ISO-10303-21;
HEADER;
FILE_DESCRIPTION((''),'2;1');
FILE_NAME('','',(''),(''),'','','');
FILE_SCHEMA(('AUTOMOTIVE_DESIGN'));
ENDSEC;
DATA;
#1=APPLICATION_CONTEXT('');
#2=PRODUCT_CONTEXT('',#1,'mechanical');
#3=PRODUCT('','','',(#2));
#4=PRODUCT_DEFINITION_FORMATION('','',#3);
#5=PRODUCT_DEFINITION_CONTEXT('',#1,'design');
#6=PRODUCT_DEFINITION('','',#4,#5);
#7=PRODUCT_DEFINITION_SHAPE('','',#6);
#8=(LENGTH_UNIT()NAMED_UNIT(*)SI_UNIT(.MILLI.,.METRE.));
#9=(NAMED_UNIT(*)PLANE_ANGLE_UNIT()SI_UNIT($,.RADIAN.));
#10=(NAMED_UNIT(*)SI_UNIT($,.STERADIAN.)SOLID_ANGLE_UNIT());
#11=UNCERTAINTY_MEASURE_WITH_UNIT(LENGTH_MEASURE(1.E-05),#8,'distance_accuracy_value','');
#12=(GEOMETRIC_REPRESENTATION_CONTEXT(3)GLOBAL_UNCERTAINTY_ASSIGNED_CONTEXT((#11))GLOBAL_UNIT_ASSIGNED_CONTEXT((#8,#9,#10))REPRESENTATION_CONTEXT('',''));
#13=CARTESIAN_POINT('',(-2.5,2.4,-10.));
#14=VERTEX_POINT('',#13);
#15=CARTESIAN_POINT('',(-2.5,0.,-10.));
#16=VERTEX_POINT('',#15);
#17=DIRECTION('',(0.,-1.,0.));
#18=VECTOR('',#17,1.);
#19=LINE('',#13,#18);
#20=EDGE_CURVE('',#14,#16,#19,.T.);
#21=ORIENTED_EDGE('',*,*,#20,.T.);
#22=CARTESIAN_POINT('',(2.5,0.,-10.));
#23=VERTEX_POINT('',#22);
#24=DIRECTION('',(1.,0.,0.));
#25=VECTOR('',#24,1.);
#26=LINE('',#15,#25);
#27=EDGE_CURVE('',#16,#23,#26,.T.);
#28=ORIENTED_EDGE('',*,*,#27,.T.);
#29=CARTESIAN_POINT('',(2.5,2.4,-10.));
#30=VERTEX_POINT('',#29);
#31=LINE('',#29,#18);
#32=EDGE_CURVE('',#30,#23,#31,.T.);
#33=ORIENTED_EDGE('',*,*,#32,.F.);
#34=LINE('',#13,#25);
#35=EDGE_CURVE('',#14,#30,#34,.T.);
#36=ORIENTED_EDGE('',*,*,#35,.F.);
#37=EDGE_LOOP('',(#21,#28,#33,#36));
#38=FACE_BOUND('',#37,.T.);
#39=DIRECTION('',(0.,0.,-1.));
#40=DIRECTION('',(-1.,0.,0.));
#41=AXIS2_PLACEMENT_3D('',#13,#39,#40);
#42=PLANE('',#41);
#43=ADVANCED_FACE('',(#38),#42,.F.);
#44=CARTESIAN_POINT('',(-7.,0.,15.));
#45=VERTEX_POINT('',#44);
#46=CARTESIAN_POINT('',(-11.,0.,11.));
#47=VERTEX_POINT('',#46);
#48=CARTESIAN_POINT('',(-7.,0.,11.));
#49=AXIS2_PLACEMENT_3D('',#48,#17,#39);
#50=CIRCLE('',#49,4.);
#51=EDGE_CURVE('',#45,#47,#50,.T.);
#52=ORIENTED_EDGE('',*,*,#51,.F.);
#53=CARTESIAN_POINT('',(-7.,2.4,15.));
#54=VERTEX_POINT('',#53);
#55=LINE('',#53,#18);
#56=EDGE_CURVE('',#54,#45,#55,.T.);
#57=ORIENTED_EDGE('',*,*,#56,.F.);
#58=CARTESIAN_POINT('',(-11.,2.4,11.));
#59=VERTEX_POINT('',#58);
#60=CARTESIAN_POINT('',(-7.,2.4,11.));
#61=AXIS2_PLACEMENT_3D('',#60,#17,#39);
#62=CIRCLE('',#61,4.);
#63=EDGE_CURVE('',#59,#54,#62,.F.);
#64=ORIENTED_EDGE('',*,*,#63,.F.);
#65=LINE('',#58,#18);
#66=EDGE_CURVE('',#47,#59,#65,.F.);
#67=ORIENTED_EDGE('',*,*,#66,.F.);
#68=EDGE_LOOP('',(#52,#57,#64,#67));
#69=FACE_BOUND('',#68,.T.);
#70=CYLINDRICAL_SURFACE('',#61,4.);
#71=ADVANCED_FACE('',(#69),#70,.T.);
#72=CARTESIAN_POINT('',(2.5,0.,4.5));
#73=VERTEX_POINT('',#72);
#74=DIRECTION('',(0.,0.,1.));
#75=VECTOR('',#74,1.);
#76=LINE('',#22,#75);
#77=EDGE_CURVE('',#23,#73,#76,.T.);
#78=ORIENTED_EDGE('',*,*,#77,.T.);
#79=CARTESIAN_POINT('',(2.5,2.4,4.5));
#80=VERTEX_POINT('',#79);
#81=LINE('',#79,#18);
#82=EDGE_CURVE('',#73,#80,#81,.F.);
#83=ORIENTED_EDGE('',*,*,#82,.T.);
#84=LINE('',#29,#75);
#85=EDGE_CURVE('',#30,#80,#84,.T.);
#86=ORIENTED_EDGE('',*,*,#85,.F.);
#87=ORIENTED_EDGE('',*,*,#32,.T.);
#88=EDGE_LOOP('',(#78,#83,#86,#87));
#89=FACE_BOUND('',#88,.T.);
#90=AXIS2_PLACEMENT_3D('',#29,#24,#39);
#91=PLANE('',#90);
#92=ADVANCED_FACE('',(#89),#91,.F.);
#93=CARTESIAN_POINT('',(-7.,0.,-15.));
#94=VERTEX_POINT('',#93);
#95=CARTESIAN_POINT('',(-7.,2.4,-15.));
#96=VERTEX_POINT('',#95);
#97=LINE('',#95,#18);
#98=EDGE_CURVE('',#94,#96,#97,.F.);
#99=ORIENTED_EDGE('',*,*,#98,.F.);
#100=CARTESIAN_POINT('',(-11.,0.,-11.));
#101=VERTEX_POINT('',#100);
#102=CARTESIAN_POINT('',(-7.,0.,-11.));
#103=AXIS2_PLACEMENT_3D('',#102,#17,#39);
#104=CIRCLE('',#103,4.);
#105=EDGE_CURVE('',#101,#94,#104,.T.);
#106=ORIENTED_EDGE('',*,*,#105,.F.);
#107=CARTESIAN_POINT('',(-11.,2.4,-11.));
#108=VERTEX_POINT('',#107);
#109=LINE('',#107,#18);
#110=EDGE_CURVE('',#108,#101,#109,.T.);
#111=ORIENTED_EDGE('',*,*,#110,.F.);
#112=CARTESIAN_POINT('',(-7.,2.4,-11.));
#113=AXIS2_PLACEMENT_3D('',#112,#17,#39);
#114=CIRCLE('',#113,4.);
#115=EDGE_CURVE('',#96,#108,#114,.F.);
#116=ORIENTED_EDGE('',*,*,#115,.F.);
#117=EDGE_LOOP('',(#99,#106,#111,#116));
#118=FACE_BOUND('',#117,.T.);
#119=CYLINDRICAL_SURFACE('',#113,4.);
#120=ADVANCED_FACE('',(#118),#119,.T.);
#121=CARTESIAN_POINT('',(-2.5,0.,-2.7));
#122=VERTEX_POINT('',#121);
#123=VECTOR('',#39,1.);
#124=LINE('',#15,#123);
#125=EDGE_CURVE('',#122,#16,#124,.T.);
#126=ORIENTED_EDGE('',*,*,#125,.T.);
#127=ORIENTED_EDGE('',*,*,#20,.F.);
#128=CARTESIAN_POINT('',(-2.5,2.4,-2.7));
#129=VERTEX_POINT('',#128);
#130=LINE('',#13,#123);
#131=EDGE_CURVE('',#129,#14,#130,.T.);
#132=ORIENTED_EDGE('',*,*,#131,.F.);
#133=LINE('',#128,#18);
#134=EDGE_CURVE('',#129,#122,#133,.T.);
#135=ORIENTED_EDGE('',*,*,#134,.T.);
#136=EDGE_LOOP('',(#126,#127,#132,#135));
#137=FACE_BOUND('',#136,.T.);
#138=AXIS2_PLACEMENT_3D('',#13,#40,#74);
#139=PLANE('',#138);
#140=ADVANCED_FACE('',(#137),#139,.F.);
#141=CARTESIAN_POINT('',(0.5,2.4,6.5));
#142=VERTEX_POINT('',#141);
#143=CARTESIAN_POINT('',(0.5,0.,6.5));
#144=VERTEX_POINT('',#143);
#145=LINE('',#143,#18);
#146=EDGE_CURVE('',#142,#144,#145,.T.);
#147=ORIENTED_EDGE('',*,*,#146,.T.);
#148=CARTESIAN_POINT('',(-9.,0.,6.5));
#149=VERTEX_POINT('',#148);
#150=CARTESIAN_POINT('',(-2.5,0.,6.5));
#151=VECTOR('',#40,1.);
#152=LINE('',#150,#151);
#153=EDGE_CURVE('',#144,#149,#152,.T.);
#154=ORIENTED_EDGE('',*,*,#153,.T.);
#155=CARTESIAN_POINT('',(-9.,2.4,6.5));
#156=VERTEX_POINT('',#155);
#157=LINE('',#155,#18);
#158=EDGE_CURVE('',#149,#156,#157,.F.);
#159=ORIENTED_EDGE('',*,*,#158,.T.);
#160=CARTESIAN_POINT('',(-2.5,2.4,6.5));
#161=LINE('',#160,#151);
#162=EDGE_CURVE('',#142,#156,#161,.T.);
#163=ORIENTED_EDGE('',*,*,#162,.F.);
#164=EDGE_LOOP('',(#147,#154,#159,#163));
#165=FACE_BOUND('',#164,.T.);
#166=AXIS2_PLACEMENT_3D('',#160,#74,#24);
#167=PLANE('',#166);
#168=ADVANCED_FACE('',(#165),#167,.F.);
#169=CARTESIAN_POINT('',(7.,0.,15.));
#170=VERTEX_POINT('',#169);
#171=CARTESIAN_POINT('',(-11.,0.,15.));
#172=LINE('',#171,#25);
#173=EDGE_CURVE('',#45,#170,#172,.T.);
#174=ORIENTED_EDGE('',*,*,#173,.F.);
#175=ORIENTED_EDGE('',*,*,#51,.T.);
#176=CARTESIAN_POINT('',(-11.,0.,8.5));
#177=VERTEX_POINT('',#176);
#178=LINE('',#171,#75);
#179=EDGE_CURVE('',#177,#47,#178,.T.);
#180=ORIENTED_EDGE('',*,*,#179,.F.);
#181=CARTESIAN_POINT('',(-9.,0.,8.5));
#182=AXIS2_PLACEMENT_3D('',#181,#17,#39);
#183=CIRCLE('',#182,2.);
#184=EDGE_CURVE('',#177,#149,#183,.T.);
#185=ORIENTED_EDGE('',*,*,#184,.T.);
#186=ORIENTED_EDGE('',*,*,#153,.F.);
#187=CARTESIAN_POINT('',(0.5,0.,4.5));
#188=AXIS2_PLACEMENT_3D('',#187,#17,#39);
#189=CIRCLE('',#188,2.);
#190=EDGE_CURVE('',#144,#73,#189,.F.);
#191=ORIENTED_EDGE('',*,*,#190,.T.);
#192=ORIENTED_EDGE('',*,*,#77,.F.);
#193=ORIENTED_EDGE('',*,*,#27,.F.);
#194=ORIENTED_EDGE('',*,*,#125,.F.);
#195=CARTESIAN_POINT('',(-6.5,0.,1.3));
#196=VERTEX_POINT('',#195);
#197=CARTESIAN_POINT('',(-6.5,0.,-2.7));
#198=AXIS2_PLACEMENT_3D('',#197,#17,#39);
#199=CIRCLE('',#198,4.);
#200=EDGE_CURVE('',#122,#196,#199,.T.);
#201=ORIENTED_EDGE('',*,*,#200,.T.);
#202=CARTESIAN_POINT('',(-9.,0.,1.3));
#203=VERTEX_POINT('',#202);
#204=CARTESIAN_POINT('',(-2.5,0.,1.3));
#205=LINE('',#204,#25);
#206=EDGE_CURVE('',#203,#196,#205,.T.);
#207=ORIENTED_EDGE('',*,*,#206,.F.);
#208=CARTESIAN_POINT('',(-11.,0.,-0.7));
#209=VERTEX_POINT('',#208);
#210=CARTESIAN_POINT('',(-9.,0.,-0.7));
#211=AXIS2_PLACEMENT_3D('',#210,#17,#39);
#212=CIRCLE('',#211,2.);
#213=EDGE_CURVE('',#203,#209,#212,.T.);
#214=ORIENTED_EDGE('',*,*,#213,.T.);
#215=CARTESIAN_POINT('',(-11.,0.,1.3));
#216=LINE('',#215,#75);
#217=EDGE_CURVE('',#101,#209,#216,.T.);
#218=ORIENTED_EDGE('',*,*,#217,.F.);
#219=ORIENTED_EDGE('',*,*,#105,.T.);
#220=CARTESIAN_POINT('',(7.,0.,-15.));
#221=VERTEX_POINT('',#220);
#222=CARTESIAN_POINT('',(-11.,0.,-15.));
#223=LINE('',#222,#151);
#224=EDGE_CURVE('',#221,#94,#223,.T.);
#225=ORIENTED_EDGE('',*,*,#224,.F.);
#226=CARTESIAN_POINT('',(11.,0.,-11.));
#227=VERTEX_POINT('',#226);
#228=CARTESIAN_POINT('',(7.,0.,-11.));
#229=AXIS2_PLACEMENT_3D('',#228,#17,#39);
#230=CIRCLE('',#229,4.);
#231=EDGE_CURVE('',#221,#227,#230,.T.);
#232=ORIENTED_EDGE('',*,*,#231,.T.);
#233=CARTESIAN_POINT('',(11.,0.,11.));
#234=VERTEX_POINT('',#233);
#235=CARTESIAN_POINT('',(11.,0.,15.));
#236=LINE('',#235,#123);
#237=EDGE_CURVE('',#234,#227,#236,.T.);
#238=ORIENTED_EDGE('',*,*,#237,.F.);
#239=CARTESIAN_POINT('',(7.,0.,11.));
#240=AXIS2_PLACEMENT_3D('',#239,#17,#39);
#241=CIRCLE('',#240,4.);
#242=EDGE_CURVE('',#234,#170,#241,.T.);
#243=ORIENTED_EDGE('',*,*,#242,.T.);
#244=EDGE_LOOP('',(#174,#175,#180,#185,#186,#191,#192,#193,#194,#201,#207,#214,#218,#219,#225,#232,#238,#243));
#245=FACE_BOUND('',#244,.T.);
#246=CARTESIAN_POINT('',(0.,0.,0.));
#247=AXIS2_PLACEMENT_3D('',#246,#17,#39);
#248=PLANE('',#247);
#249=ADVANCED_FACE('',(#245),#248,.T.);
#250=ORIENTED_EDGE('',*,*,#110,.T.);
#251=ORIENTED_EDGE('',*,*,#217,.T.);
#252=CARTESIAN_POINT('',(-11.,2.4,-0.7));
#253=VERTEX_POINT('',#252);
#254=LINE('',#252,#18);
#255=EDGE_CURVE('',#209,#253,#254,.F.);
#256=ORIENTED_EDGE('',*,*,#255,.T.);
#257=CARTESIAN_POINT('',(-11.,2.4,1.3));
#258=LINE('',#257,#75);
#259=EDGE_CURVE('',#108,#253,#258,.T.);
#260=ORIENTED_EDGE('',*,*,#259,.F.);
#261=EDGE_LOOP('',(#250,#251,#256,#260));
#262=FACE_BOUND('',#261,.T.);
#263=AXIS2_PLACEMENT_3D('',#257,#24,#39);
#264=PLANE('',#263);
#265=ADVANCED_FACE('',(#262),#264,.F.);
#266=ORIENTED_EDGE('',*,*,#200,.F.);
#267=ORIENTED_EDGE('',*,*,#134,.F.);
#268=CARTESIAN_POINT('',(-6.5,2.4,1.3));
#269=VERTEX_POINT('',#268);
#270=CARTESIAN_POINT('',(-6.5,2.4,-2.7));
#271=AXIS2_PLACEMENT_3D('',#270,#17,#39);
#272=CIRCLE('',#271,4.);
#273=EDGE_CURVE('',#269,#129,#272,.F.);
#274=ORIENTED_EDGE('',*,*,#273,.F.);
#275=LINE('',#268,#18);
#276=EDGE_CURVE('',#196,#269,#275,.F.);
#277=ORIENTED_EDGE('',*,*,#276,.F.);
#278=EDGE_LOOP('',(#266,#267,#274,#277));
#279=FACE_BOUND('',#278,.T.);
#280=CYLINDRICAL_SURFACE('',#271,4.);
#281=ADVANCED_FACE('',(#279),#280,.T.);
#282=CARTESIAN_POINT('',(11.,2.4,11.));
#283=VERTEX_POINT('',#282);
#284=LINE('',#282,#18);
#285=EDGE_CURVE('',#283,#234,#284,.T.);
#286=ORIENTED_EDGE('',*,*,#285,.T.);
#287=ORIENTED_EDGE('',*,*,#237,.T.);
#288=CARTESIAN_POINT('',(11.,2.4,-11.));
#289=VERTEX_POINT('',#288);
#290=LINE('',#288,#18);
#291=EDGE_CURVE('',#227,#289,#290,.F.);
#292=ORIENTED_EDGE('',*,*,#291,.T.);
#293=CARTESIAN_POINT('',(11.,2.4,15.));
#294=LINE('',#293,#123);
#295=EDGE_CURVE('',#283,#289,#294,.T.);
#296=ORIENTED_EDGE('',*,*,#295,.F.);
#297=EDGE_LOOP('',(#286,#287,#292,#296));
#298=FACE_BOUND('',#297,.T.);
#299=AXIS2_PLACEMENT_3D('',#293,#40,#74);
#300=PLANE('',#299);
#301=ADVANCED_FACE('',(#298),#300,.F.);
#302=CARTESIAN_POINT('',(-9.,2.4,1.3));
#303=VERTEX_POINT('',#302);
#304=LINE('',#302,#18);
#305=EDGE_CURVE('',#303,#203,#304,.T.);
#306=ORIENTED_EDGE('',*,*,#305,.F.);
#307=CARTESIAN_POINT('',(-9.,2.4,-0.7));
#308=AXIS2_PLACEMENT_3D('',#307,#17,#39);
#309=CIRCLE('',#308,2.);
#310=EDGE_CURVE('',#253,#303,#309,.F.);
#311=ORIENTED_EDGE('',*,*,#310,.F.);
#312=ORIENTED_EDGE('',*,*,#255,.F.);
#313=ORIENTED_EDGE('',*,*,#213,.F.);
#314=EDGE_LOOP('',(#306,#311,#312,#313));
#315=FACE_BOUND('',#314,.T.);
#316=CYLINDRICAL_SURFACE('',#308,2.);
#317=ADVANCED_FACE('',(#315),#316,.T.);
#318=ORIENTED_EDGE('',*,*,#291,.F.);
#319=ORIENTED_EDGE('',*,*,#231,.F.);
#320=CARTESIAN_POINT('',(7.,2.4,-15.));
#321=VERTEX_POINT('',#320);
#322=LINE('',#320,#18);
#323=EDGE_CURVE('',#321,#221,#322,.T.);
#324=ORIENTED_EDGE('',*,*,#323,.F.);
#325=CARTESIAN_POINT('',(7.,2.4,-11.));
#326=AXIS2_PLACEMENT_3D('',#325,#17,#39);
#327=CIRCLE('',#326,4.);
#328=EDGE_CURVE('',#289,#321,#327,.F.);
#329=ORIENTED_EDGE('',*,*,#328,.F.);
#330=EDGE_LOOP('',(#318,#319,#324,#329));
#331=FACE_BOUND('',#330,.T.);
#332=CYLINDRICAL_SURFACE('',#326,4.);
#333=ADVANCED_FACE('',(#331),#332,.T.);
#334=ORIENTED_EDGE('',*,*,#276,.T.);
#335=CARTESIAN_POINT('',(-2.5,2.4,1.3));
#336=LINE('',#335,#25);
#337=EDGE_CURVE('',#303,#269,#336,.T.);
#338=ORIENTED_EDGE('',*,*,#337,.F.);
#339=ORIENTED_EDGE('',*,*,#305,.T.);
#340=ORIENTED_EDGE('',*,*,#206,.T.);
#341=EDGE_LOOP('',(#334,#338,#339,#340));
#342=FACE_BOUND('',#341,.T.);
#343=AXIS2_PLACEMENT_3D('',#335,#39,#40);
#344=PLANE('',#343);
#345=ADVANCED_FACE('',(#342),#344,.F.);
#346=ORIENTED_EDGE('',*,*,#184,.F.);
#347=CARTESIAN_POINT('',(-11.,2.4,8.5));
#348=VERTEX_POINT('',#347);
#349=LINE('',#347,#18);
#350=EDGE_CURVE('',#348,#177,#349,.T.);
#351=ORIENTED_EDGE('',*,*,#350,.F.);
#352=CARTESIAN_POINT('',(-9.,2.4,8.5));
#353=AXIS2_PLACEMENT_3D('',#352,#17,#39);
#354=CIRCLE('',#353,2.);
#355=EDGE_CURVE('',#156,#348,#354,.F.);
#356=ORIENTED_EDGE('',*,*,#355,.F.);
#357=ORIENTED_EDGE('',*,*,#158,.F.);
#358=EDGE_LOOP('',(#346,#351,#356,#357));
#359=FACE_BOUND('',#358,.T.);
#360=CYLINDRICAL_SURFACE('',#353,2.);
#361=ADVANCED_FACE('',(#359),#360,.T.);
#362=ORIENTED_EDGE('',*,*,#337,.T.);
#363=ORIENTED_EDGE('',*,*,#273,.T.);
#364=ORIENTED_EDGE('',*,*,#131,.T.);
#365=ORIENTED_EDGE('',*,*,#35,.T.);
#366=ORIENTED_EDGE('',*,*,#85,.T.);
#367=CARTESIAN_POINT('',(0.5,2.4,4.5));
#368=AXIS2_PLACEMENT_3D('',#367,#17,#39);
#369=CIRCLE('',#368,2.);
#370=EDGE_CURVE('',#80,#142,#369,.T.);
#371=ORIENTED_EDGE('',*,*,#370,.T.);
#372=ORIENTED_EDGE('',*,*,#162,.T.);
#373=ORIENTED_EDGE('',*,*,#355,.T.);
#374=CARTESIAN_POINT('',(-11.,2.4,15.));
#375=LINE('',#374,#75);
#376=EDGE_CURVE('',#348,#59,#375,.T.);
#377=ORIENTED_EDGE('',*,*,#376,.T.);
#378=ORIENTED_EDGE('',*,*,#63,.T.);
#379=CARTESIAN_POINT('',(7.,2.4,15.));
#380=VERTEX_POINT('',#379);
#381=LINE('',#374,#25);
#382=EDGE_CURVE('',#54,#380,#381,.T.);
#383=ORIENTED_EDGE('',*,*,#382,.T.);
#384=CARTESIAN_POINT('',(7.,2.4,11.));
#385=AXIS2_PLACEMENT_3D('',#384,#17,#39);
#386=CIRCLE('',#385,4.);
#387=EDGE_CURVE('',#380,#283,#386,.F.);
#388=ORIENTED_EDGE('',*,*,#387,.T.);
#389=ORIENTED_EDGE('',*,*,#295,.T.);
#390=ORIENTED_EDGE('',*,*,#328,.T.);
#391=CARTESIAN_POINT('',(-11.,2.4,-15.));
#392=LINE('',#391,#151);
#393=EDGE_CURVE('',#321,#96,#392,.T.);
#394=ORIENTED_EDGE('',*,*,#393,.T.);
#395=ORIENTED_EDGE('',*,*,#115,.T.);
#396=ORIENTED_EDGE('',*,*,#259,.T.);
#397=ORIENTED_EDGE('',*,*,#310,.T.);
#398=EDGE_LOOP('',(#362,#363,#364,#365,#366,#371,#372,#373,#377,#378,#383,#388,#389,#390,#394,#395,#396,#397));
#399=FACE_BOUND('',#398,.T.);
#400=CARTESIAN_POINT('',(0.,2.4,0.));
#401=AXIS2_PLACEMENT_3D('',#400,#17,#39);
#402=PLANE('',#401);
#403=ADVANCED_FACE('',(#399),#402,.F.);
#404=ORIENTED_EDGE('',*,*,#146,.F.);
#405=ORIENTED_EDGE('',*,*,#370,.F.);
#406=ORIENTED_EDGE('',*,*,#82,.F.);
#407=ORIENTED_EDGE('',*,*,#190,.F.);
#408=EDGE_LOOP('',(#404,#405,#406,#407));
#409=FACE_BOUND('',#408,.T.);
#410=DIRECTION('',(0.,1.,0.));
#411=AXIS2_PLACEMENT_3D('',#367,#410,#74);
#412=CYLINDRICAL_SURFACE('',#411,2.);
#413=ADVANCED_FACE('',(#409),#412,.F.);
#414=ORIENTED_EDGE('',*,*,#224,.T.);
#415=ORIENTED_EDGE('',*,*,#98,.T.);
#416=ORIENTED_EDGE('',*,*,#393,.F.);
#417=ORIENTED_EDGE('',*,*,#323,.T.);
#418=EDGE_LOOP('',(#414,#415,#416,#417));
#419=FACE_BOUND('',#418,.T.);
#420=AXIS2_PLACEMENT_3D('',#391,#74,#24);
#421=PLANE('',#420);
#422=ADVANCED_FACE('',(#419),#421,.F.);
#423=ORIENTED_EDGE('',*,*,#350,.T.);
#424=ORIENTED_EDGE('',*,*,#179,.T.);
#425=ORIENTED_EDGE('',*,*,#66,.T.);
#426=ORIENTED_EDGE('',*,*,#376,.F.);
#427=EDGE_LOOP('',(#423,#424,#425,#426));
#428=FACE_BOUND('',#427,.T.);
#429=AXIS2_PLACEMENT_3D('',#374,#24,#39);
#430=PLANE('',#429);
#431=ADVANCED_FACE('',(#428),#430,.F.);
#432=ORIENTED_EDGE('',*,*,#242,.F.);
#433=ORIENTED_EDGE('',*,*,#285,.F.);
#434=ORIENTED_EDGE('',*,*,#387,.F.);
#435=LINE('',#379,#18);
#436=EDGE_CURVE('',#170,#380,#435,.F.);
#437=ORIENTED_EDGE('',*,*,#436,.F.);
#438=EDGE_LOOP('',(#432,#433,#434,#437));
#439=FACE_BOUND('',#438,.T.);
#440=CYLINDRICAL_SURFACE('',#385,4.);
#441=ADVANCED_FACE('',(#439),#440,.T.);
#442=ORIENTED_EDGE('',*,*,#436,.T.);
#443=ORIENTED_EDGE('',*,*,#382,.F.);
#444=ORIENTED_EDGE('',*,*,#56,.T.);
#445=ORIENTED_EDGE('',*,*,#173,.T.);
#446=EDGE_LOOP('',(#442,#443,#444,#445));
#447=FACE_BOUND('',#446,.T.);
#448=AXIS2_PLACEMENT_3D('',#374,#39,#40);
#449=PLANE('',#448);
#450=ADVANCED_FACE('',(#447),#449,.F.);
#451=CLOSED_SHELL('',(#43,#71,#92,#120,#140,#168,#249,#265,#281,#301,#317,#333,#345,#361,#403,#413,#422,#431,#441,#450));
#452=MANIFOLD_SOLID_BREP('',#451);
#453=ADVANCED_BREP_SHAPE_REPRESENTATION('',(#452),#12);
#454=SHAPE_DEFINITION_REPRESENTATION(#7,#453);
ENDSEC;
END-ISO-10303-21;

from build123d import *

# Parameters (mm, degrees)
BOSS_EXTRUDE1_DEPTH = 2.4
FILLET1_R           = 4
FILLET2_R           = 4
FILLET3_R           = 2


with BuildPart() as part:
    # Sketch1 → Boss-Extrude1 (new body)
    with BuildSketch(Plane(origin=(0, 0, 0), x_dir=(1, 0, 0), z_dir=(0, 1, 0))):
        Polygon((-11, -15), (11, -15), (11, 15), (-11, 15), (-11, -1.3), (-2.5, -1.3), (-2.5, 10), (2.5, 10), (2.5, -6.5), (-2.5, -6.5), (-11, -6.5), align=None)
    extrude(amount=BOSS_EXTRUDE1_DEPTH)

    # Fillet1
    fillet1_edges = [part.edges().sort_by_distance(p)[0] for p in [
        (-2.5, 1.2, 1.3),
    ]]
    fillet(fillet1_edges, radius=FILLET1_R)

    # Fillet2
    fillet2_edges = [part.edges().sort_by_distance(p)[0] for p in [
        (11, 1.2, 15),
        (-11, 1.2, 15),
        (-11, 1.2, -15),
        (11, 1.2, -15),
    ]]
    fillet(fillet2_edges, radius=FILLET2_R)

    # Fillet3
    fillet3_edges = [part.edges().sort_by_distance(p)[0] for p in [
        (-11, 1.2, 6.5),
        (2.5, 1.2, 6.5),
        (-11, 1.2, 1.3),
    ]]
    fillet(fillet3_edges, radius=FILLET3_R)


solid = part.part
